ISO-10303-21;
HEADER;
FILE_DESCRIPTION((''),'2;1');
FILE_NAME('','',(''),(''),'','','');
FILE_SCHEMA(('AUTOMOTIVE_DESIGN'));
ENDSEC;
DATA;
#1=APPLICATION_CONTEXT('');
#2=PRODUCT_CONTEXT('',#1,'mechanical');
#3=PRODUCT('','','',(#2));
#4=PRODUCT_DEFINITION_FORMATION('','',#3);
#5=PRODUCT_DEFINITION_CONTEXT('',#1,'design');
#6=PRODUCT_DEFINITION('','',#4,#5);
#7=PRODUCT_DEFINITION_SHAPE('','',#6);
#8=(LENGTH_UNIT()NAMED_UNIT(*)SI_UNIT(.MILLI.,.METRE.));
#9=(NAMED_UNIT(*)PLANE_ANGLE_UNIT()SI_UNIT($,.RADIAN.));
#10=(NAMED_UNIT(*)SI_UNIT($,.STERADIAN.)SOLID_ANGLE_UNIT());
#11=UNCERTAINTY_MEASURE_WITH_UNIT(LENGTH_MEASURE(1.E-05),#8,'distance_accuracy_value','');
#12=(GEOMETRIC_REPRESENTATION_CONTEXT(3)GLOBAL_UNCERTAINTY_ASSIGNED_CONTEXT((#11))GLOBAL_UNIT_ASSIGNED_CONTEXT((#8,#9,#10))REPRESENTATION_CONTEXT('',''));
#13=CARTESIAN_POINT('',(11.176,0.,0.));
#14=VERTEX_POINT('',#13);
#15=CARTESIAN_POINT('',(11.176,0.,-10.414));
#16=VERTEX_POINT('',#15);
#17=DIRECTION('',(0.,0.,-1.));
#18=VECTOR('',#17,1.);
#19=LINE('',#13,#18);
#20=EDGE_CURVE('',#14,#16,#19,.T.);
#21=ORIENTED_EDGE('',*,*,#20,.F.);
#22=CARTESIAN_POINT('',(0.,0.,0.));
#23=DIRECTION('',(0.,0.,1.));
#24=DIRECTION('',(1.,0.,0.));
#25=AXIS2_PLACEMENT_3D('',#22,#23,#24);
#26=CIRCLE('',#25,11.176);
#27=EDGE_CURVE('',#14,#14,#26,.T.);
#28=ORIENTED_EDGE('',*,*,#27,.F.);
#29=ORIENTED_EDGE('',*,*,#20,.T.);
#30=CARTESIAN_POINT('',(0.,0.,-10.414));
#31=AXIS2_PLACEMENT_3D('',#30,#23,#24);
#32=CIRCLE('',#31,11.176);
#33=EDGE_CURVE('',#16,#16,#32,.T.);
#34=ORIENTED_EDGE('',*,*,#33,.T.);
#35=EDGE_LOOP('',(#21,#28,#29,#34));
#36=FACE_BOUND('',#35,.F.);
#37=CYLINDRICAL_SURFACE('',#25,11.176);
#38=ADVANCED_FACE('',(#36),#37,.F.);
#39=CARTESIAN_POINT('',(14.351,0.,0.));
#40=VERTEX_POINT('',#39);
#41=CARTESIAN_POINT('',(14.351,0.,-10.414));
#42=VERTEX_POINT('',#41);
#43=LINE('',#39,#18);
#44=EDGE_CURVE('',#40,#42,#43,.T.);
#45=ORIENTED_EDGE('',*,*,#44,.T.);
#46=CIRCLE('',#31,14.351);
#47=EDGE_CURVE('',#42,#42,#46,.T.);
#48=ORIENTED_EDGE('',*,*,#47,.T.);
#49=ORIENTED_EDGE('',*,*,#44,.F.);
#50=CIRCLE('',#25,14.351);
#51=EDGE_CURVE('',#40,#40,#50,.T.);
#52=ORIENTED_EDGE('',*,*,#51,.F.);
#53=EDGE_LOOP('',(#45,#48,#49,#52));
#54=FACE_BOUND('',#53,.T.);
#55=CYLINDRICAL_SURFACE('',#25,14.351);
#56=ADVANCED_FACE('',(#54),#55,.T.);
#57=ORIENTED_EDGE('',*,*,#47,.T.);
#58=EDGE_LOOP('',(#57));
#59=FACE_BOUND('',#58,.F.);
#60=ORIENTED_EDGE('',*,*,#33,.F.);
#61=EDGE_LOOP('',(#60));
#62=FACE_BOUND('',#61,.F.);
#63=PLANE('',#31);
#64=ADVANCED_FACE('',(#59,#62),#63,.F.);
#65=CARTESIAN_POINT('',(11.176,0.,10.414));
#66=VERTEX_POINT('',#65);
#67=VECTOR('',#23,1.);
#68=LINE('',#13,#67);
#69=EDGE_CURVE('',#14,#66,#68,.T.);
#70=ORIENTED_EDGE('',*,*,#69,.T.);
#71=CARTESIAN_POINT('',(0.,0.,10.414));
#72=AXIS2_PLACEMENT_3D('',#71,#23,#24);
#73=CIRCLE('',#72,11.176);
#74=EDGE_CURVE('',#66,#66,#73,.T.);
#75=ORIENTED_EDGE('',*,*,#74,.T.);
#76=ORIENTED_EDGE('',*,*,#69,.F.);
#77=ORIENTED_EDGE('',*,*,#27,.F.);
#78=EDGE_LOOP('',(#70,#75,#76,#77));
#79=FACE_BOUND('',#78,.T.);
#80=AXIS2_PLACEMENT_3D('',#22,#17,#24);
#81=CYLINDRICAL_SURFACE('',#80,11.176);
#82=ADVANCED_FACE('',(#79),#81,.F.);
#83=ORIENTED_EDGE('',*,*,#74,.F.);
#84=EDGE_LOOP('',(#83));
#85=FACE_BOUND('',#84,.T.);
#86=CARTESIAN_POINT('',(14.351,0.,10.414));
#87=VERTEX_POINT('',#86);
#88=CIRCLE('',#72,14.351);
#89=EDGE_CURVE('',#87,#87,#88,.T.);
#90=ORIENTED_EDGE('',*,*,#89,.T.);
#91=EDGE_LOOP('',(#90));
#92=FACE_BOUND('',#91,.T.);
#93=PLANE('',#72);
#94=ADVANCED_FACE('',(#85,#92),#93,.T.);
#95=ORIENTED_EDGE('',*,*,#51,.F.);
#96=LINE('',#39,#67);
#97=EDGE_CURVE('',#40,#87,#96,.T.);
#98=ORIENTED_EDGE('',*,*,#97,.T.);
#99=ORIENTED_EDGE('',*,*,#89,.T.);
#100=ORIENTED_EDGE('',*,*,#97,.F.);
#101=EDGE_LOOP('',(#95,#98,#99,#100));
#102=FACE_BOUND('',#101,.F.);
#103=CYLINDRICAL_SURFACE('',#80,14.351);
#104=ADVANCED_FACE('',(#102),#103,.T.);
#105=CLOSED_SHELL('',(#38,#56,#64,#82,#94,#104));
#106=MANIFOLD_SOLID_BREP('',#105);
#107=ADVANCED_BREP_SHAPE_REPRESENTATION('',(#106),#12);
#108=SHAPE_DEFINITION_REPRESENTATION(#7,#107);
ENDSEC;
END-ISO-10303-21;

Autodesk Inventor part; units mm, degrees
ref_plane "YZ Plane" through (0, 0, 0) normal (1, 0, 0) x (0, 1, 0)
ref_plane "XZ Plane" through (0, 0, 0) normal (0, 1, 0) x (-1, 0, 0)
ref_plane "XY Plane" through (0, 0, 0) normal (0, 0, 1) x (1, 0, 0)
sketch "Sketch1" plane through (0, 0, 0) normal (0, 0, 1) x (1, 0, 0)
  circle A0 centre (0, 0) radius 11.176
  circle A1 centre (0, 0) radius 14.351
  dimension "d0" = 3.175
  dimension "d1" = 22.352
extrude "Extrusion1" add sketch "Sketch1" along normal mid plane 20.828
properties part number "AR-017" material "Aluminum 6061"
